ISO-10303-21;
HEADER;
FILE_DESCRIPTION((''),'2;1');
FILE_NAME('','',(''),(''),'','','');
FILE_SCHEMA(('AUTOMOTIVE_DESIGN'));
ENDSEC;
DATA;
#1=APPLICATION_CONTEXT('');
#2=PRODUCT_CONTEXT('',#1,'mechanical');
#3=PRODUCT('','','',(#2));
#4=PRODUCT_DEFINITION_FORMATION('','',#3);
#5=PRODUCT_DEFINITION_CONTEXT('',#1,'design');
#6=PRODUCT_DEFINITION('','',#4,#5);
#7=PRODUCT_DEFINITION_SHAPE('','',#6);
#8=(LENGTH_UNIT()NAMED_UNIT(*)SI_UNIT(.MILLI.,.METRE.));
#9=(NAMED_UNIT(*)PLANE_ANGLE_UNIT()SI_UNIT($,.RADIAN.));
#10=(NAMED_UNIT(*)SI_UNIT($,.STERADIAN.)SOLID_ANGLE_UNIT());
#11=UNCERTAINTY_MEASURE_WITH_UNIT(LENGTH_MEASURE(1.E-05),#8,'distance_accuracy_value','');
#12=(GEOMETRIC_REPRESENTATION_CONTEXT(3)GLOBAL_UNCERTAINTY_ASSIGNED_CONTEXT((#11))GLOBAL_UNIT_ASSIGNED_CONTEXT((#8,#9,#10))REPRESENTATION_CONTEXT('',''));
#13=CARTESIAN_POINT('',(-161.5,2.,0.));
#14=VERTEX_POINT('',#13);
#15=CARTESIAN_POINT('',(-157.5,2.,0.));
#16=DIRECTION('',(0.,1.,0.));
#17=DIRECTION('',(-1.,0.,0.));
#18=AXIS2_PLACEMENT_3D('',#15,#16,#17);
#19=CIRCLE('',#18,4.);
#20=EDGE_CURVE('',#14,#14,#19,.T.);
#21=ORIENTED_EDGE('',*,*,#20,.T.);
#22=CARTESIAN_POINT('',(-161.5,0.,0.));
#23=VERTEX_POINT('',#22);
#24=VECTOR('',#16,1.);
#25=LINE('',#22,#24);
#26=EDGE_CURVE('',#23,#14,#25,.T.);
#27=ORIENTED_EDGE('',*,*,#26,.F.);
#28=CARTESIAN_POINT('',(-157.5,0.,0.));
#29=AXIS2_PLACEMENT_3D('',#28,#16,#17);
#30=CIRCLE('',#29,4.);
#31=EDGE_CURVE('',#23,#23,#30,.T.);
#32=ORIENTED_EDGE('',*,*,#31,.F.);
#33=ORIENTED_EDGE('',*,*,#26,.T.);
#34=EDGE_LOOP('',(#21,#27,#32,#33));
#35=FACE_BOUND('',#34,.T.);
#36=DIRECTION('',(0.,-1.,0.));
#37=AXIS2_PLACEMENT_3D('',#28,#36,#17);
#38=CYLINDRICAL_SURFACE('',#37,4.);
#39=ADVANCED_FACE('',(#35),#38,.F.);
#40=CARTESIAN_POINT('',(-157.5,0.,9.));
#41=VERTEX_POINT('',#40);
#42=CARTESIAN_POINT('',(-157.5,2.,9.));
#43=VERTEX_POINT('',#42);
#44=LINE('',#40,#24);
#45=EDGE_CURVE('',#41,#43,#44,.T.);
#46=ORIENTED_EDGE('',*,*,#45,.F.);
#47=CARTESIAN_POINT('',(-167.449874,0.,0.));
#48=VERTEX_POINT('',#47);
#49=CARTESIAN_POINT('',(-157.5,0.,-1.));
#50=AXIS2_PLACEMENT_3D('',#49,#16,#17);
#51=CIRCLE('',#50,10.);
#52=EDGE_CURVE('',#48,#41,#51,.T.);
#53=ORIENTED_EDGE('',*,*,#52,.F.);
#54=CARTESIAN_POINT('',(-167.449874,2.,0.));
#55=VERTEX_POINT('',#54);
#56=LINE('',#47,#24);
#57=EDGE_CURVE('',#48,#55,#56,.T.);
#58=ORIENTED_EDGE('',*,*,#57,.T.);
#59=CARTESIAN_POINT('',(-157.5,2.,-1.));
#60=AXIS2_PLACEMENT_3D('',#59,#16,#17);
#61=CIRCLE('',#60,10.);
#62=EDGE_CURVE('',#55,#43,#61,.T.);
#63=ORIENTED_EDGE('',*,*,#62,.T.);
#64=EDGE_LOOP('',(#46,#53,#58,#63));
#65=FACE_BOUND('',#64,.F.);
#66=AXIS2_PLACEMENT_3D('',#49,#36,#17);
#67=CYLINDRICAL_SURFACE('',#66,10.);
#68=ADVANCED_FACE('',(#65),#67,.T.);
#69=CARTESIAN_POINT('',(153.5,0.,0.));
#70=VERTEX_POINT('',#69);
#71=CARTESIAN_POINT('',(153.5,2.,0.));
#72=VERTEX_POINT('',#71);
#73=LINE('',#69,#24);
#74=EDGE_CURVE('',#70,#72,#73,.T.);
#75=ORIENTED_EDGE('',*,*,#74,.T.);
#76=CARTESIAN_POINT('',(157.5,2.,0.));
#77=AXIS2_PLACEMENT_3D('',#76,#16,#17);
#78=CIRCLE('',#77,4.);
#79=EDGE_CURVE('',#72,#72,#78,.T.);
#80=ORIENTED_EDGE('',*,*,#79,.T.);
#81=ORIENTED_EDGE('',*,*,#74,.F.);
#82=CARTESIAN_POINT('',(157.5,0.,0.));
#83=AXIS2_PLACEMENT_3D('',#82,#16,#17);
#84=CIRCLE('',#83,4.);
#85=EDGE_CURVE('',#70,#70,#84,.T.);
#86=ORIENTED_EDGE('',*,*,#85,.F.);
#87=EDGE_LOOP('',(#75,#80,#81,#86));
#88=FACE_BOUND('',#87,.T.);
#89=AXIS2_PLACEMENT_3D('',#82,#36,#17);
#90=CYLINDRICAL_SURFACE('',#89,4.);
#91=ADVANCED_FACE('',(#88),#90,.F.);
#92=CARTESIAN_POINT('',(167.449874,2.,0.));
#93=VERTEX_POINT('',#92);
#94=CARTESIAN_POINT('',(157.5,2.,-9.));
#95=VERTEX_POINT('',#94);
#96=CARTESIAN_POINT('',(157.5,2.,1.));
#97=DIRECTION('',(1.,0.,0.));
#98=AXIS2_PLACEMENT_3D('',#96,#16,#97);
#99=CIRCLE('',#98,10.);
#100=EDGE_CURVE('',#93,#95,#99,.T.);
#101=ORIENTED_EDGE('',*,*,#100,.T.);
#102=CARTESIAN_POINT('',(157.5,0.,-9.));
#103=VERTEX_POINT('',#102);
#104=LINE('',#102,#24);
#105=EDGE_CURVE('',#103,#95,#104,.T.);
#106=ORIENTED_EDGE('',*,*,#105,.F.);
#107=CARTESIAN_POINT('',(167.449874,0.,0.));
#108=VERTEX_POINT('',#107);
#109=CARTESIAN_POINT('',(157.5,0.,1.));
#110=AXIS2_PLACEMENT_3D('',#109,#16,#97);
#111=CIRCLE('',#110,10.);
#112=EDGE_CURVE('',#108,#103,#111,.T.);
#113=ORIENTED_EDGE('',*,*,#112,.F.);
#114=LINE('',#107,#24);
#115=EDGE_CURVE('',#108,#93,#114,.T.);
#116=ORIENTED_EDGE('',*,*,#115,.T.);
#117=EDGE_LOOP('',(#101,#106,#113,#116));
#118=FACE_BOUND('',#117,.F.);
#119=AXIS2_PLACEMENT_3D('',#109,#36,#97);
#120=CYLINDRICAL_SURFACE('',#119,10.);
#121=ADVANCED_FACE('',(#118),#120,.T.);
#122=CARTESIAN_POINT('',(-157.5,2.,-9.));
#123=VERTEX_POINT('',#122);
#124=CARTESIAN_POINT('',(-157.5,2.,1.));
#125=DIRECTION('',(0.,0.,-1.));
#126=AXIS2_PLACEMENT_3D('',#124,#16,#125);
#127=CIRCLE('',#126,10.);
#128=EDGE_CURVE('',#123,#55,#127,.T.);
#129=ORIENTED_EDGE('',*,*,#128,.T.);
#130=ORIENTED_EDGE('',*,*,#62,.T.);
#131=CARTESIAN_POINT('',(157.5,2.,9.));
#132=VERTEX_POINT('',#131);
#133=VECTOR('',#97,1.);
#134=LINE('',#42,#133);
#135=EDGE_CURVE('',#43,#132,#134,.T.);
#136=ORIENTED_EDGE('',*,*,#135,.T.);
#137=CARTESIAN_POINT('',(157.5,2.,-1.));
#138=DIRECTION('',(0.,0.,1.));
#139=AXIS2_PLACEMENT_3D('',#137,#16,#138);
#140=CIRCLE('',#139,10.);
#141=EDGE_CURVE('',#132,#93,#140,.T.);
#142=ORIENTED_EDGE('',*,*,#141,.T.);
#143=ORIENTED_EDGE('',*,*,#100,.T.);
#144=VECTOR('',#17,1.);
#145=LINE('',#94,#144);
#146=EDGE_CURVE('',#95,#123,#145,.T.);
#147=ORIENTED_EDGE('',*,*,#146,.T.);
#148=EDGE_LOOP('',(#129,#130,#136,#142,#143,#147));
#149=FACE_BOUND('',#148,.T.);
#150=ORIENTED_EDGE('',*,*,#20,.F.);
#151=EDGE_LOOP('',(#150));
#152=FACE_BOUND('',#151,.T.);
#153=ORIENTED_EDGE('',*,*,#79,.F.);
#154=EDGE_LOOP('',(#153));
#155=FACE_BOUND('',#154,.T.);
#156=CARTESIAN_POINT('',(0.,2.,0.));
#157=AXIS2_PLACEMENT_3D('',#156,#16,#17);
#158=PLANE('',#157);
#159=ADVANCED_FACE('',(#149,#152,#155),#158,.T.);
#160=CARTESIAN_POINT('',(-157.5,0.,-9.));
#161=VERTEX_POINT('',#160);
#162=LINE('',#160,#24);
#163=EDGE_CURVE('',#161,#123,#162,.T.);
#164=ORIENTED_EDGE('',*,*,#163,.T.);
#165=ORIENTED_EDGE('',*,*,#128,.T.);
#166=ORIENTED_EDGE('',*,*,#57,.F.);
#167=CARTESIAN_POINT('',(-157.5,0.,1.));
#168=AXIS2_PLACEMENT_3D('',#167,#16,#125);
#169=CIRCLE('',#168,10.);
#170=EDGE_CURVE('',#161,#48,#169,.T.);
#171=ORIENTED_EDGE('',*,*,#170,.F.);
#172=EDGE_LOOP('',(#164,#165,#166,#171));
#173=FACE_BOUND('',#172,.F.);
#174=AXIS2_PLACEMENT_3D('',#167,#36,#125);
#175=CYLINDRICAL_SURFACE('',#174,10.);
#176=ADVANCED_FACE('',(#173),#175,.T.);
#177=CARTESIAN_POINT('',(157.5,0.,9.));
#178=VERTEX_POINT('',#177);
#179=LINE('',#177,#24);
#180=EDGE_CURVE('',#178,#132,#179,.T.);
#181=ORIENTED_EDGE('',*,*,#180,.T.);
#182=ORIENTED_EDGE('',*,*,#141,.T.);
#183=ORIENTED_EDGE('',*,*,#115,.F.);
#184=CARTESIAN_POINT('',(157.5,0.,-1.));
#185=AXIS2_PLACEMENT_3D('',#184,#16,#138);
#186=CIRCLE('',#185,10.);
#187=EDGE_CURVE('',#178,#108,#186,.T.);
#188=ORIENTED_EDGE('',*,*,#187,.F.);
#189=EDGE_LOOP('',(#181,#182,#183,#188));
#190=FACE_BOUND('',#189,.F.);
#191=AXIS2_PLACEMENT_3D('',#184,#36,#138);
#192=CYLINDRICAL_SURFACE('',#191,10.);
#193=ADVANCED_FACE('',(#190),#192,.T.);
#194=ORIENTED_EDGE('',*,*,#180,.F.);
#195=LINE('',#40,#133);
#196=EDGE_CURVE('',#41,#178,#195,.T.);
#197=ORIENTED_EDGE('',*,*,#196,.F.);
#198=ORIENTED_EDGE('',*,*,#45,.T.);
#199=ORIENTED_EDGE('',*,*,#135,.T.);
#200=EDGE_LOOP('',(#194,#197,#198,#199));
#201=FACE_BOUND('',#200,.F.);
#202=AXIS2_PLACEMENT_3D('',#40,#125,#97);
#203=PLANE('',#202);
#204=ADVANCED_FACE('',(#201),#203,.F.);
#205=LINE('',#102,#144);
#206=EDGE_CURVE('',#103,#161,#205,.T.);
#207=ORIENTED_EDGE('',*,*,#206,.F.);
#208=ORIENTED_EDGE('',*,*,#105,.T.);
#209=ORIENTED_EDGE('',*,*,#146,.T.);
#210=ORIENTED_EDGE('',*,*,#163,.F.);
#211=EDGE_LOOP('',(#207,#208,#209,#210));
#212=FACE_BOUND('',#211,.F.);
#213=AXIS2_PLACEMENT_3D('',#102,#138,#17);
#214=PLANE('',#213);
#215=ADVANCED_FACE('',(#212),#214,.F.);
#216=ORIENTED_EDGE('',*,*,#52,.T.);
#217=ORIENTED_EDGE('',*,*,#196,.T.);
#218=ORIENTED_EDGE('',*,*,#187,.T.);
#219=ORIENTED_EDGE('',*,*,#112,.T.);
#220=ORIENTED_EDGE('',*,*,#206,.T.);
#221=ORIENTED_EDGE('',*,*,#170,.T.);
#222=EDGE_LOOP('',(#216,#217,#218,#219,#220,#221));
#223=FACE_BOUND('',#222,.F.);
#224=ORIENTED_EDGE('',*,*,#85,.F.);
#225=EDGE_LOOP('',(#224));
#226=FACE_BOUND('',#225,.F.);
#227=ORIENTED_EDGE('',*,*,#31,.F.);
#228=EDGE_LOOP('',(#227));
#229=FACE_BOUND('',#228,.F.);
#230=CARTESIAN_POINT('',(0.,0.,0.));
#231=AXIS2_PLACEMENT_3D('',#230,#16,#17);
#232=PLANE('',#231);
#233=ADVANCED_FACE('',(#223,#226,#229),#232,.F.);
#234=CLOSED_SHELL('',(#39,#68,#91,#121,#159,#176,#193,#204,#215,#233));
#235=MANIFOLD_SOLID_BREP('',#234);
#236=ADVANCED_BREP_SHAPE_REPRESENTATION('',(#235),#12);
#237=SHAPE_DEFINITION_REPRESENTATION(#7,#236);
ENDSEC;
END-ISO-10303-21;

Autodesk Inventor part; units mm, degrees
ref_plane "YZ Plane" through (0, 0, 0) normal (1, 0, 0) x (0, 1, 0)
ref_plane "XZ Plane" through (0, 0, 0) normal (0, 1, 0) x (-1, 0, 0)
ref_plane "XY Plane" through (0, 0, 0) normal (0, 0, 1) x (1, 0, 0)
sketch "Boceto1" plane through (0, 0, 0) normal (0, 1, 0) x (-1, 0, 0)
  line L0 (385.7227, 0) -> (-335.8409, 0) construction
  line L1 (0, 516.0097) -> (0, -537.3218) construction
  line L2 (-157.5, -9) -> (157.5, -9)
  line L3 (167.5, 1) -> (167.5, -1)
  line L4 (157.5, 9) -> (-157.5, 9)
  line L5 (-167.5, -1) -> (-167.5, 1)
  line L6 (-167.5, -9) -> (167.5, 9) construction
  line L7 (167.5, -9) -> (-167.5, 9) construction
  arc A0 (167.5, -1) -> (157.5, 9) centre (157.5, -1) ccw
  arc A1 (157.5, -9) -> (167.5, 1) centre (157.5, 1) ccw
  arc A2 (-167.5, 1) -> (-157.5, -9) centre (-157.5, 1) ccw
  arc A3 (-157.5, 9) -> (-167.5, -1) centre (-157.5, -1) ccw
  line L8 (157.5, 9) -> (157.5, -15.4925) construction
  circle A4 centre (157.5, 0) radius 4
  line L9 (-157.5, -9) -> (-157.5, 29.1929) construction
  circle A5 centre (-157.5, 0) radius 4
  point P0 (0, 0)
  point P1 (167.4499, 0)
  point P2 (-167.4499, 0)
  dimension "d0" = 18
  dimension "d1" = 335
  dimension "d2" = 10
  dimension "d3" = 8
  dimension "d4" = 8
extrude "Extrusión1" add sketch "Boceto1" along normal blind 2 contours A2 A3 L4 A0 A1 L2
